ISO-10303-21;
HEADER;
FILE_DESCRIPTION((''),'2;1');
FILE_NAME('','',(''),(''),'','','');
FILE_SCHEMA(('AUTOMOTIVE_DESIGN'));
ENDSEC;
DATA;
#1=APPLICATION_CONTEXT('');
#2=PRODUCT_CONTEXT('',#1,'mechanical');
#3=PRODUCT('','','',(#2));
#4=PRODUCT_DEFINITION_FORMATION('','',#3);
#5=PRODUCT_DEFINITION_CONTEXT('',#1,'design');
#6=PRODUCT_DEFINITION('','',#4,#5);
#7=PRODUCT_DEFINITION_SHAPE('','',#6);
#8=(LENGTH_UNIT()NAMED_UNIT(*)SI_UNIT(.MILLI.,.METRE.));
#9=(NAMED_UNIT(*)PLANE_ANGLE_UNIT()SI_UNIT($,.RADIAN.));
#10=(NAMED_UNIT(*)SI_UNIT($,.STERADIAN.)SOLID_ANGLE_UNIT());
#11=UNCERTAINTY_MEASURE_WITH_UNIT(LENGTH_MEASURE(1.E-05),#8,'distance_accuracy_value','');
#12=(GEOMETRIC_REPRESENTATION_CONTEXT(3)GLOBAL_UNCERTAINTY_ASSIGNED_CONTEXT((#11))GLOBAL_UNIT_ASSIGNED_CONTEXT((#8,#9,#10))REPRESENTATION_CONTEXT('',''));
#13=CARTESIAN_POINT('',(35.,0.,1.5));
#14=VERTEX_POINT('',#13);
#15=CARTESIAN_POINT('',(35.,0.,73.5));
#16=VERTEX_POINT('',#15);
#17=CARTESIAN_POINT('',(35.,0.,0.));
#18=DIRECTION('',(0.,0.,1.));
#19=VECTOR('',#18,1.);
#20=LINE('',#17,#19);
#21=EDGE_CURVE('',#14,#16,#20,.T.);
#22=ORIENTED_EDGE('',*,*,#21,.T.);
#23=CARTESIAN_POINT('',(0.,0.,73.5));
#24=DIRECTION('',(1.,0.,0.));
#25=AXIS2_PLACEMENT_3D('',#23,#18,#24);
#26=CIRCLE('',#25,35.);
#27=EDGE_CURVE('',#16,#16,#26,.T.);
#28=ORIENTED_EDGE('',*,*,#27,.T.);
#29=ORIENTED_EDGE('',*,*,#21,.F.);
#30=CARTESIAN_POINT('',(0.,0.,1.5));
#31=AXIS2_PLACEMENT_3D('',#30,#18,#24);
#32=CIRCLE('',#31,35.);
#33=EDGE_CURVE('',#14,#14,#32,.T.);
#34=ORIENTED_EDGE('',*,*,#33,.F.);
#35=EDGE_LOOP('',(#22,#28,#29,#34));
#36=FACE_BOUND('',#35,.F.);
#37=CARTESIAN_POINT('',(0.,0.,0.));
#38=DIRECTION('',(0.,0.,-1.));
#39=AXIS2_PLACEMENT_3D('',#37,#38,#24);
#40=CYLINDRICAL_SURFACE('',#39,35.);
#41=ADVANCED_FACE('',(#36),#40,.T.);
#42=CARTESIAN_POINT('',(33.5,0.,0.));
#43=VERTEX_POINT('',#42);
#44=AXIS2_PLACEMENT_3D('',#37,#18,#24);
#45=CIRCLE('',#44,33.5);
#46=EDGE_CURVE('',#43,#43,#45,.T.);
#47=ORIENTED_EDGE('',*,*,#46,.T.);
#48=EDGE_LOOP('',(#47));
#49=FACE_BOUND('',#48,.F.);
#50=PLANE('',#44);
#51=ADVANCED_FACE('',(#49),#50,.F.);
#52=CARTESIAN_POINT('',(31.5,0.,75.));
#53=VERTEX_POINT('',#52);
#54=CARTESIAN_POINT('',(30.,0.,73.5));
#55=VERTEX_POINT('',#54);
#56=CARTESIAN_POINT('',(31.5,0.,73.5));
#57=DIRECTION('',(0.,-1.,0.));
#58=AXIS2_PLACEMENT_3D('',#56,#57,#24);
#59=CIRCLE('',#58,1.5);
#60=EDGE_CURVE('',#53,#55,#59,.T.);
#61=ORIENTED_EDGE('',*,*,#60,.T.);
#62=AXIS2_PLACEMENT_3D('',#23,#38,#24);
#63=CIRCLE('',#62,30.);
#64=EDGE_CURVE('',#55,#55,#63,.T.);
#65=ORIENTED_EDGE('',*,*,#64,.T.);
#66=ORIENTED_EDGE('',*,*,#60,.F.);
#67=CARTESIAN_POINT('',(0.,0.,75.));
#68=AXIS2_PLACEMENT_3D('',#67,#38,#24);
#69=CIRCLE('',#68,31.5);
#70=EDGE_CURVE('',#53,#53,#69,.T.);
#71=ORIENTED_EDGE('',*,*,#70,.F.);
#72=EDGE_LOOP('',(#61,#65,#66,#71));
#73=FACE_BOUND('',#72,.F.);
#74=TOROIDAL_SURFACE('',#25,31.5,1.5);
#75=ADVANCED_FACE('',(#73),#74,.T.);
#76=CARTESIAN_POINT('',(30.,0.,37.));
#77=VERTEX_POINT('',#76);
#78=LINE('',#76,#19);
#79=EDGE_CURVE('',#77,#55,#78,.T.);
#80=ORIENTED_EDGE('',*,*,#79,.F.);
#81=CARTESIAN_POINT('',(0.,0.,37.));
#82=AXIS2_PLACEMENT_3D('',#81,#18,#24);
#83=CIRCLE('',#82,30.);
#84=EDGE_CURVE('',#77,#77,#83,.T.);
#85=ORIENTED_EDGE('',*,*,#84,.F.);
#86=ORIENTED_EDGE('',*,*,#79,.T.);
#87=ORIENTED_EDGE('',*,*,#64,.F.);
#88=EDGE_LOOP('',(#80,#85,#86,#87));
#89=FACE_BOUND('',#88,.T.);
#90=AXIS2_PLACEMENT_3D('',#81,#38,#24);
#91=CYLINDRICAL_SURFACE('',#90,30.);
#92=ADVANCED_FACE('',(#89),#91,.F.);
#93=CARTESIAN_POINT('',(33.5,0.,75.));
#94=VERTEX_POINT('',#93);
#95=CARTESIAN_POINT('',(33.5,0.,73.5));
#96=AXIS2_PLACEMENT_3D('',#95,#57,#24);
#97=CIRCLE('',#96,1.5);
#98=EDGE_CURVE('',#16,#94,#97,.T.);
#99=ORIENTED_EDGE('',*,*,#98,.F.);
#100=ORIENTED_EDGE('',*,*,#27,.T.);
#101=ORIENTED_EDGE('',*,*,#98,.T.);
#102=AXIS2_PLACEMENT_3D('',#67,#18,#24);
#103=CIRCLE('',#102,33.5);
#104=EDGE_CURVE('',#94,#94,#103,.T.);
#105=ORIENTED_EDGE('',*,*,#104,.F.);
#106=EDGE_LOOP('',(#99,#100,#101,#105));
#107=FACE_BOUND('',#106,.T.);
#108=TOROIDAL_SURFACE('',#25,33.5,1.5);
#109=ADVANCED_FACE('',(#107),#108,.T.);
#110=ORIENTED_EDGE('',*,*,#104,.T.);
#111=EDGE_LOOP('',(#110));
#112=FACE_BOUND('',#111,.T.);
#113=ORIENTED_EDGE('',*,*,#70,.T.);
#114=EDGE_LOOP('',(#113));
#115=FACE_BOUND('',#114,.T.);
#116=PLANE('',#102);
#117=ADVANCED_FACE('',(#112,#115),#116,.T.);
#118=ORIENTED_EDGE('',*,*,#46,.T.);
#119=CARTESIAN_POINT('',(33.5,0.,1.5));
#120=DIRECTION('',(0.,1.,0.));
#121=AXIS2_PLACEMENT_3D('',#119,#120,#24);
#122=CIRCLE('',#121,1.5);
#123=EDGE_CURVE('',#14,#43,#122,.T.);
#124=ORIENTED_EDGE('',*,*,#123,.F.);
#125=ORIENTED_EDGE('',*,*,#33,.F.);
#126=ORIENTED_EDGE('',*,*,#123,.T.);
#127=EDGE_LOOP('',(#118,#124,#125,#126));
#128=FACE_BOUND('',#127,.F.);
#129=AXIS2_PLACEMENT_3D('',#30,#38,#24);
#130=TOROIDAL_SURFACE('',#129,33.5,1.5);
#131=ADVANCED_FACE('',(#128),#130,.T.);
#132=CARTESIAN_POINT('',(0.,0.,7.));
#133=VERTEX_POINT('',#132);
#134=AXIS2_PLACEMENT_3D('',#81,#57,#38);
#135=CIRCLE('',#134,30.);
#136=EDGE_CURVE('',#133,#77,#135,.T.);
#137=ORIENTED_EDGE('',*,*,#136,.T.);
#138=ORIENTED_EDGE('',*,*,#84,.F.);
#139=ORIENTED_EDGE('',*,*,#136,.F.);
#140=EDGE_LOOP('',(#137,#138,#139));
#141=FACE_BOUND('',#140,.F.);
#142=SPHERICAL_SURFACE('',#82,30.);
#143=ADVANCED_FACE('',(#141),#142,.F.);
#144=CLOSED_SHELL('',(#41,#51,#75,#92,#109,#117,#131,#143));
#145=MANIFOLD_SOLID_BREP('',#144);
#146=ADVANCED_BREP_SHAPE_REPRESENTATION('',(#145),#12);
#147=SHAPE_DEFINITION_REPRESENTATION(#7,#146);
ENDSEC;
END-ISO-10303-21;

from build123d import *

# Parameters (mm, degrees)
CYLINDER001_R     = 30
CYLINDER001_DEPTH = 75
CYLINDER_R        = 35
CYLINDER_DEPTH    = 75
FILLET_R          = 1.5


with BuildPart() as cylinder001:
    # Cylinder001 → Cylinder001 (new body)
    with BuildSketch(Plane.XY.offset(37)):
        Circle(CYLINDER001_R)
    extrude(amount=CYLINDER001_DEPTH)


with BuildPart() as fusion:
    # Sphere → Sphere (revolve)
    with BuildSketch(Plane(origin=(0, 0, 37), x_dir=(1, 0, 0), z_dir=(0, -1, 0))):
        with BuildLine():
            ThreePointArc((0, -30), (30, 0), (0, 30))
            Line((0, 30), (0, -30))
        make_face()
    revolve(axis=Axis((0, 0, 37), (0, 0, 1)))

    # Fusion: union Cylinder001
    add(cylinder001.part)


with BuildPart() as fillet_body:
    # Cylinder → Cylinder (new body)
    with BuildSketch(Plane.XY):
        Circle(CYLINDER_R)
    extrude(amount=CYLINDER_DEPTH)

    # Cut: cut Fusion
    add(fusion.part, mode=Mode.SUBTRACT)

    # Fillet
    fillet_edges = [fillet_body.edges().sort_by_distance(p)[0] for p in [
        (-35, 0, 0),
        (-35, 0, 75),
        (-30, 0, 75),
    ]]
    fillet(fillet_edges, radius=FILLET_R)


solid = fillet_body.part
